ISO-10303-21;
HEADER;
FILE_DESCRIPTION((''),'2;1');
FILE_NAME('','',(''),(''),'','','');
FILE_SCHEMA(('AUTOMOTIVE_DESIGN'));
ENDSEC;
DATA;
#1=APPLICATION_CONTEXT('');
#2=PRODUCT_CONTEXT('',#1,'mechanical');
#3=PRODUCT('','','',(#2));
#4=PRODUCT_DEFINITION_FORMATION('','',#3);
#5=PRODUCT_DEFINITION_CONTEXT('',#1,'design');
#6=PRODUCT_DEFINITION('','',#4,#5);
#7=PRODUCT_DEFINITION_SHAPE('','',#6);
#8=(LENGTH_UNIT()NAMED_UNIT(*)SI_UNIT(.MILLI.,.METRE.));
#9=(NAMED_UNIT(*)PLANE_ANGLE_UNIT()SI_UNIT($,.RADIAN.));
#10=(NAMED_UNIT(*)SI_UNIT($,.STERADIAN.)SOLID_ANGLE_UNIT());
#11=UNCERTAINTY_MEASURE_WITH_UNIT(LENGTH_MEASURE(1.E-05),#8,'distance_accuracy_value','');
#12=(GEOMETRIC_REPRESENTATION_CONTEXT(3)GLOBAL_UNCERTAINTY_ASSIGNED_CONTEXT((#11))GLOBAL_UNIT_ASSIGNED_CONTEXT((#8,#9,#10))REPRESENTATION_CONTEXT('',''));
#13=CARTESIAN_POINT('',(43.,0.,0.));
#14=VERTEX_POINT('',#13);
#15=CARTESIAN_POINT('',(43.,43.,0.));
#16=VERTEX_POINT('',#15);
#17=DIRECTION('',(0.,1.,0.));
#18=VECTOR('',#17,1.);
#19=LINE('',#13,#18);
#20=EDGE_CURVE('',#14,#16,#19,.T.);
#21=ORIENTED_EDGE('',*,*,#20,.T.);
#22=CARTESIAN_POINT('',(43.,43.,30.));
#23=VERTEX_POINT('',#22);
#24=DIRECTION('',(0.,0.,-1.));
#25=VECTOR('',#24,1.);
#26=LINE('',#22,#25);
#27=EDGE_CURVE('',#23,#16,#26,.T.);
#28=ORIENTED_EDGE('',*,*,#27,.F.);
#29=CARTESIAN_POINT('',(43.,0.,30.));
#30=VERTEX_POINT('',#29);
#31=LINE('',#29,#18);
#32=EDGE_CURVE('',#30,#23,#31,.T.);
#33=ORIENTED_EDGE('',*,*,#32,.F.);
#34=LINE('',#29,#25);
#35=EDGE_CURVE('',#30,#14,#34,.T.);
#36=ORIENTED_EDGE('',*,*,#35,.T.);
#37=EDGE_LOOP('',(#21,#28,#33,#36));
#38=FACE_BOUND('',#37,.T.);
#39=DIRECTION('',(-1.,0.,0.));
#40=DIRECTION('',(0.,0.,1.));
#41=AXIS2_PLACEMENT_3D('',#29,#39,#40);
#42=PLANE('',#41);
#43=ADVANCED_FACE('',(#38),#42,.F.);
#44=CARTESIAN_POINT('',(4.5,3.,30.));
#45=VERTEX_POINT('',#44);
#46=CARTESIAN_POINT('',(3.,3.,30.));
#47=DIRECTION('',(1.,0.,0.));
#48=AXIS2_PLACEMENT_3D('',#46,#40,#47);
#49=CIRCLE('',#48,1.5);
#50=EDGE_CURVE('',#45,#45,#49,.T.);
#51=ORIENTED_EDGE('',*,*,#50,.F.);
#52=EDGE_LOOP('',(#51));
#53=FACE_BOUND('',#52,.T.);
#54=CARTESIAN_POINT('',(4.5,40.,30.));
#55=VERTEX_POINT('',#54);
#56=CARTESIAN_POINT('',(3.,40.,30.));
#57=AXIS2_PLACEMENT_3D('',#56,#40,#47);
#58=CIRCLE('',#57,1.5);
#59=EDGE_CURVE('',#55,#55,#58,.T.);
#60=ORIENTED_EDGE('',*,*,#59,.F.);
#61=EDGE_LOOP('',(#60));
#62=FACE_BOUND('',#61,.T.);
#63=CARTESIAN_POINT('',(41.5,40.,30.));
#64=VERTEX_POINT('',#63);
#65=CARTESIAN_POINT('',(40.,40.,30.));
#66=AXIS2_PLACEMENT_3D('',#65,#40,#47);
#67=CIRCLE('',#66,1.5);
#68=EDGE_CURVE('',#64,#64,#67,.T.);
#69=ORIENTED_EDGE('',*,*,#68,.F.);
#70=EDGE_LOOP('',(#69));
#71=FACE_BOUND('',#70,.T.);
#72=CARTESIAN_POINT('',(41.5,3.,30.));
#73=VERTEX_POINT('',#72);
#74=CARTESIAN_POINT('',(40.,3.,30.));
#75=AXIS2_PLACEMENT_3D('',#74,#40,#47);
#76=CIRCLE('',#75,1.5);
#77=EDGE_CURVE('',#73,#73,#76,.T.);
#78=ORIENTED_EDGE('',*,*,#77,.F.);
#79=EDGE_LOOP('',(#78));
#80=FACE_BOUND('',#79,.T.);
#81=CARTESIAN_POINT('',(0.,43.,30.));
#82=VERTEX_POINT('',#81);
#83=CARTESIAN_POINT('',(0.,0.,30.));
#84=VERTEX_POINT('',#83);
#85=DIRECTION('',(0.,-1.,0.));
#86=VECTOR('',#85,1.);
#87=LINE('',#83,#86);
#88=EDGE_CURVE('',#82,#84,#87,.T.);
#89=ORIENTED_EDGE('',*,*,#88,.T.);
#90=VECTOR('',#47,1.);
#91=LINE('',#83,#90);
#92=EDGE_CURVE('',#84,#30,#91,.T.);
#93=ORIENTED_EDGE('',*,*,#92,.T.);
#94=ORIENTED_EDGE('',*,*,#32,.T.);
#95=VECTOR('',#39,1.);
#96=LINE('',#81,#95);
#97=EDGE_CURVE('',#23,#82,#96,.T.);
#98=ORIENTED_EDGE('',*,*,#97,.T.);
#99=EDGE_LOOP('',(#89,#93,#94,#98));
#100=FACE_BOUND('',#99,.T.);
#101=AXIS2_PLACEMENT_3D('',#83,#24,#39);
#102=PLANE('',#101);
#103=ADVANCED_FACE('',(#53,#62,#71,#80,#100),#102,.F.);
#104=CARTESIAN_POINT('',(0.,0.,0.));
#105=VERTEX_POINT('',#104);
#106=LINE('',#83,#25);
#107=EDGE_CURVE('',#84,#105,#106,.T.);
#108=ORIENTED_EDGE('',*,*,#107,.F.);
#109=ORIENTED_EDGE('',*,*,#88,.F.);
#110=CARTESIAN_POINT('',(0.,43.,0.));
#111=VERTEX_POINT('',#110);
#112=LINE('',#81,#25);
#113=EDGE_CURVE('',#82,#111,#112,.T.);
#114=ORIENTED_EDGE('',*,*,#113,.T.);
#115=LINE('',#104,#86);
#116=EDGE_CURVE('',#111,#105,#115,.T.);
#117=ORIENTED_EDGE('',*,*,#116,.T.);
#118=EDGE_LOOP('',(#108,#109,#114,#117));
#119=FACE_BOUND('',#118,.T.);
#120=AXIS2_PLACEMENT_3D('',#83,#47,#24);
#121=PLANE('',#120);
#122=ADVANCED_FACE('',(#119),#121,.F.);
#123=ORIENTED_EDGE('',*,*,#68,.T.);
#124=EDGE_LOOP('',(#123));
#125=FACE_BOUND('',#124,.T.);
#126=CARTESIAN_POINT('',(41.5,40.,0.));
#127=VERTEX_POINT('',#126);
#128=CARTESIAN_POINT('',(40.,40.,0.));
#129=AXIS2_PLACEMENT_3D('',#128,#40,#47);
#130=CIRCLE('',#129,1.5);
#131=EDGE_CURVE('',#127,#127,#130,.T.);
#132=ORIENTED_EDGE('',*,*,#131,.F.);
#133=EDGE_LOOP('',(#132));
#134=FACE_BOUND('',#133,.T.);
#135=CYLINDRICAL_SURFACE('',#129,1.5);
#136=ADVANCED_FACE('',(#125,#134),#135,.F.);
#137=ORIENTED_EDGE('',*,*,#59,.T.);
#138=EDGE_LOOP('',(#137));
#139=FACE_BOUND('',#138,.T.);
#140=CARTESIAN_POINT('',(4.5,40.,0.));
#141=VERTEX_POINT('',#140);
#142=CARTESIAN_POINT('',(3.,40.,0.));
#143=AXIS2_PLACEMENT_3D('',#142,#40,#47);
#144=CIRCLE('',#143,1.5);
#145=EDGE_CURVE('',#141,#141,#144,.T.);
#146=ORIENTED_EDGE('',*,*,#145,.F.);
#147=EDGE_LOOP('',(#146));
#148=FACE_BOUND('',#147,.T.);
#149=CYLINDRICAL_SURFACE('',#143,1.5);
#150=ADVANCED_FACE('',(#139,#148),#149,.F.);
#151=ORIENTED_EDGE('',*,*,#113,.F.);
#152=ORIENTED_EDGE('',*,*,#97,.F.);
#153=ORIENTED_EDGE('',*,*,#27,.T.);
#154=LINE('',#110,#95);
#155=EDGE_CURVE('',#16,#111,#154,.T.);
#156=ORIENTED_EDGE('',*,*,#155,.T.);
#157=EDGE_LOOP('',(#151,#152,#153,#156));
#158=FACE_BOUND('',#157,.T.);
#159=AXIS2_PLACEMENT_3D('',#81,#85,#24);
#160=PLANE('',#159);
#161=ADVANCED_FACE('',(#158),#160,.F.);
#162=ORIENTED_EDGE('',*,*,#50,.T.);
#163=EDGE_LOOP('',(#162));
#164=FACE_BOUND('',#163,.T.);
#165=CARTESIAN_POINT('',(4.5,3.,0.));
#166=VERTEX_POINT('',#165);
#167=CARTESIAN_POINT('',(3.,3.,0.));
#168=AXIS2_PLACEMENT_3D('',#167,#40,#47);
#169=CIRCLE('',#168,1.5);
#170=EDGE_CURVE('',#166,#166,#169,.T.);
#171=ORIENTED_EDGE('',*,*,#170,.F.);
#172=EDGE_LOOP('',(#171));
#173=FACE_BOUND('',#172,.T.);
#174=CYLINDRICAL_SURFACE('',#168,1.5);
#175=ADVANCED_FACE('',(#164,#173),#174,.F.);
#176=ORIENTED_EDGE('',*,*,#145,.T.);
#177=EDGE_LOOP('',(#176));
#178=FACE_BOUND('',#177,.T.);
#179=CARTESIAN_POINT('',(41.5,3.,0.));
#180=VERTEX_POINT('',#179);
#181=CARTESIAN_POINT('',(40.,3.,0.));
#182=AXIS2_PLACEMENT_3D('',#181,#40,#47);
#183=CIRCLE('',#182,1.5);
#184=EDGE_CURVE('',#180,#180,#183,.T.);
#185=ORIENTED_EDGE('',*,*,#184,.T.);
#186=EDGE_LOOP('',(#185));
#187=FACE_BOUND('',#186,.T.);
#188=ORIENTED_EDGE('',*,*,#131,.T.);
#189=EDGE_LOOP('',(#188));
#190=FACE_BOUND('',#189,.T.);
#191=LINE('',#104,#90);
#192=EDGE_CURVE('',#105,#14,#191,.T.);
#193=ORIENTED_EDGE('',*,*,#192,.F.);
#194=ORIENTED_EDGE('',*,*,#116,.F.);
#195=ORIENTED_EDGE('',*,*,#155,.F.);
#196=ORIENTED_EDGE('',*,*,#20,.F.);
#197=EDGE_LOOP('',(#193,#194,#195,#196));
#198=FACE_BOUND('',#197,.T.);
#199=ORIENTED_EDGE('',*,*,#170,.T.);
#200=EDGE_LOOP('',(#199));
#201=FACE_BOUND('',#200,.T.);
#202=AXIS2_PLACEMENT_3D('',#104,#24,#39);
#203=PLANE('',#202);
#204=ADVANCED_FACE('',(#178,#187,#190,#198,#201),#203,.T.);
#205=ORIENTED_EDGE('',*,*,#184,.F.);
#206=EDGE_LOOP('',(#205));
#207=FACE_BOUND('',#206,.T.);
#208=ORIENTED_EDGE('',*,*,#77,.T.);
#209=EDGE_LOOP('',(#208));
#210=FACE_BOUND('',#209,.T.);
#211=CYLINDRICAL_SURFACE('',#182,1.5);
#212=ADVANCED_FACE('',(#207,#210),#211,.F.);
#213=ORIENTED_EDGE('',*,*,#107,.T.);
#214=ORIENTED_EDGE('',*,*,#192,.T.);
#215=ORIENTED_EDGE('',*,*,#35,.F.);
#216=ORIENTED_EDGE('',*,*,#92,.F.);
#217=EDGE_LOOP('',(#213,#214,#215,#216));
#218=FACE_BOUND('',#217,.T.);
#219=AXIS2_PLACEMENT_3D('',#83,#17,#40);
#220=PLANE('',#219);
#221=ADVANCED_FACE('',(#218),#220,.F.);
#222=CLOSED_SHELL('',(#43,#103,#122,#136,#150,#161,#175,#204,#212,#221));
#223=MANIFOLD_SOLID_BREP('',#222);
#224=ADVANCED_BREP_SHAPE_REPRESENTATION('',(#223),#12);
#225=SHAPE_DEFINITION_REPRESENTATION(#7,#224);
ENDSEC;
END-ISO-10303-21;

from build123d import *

# Parameters (mm, degrees)
ESQUISSE1_W             = 43
ESQUISSE1_H             = 43
BOSS_EXTRU_1_DEPTH      = 30
ESQUISSE2_R             = 1.5
ENL_V_MAT_EXTRU_1_DEPTH = 31


with BuildPart() as part:
    # Esquisse1 → Boss.-Extru.1 (new body)
    with BuildSketch(Plane.XY):
        with Locations((21.5, 21.5)):
            Rectangle(ESQUISSE1_W, ESQUISSE1_H)
    extrude(amount=BOSS_EXTRU_1_DEPTH)

    # Esquisse2 → Enlèv. mat.-Extru.1 (cut, through all)
    with BuildSketch(Plane.XY.offset(30)):
        with Locations((3, 40)):
            Circle(ESQUISSE2_R)
        with Locations((40, 40)):
            Circle(ESQUISSE2_R)
        with Locations((40, 3)):
            Circle(ESQUISSE2_R)
        with Locations((3, 3)):
            Circle(ESQUISSE2_R)
    extrude(amount=-ENL_V_MAT_EXTRU_1_DEPTH, mode=Mode.SUBTRACT)


solid = part.part
